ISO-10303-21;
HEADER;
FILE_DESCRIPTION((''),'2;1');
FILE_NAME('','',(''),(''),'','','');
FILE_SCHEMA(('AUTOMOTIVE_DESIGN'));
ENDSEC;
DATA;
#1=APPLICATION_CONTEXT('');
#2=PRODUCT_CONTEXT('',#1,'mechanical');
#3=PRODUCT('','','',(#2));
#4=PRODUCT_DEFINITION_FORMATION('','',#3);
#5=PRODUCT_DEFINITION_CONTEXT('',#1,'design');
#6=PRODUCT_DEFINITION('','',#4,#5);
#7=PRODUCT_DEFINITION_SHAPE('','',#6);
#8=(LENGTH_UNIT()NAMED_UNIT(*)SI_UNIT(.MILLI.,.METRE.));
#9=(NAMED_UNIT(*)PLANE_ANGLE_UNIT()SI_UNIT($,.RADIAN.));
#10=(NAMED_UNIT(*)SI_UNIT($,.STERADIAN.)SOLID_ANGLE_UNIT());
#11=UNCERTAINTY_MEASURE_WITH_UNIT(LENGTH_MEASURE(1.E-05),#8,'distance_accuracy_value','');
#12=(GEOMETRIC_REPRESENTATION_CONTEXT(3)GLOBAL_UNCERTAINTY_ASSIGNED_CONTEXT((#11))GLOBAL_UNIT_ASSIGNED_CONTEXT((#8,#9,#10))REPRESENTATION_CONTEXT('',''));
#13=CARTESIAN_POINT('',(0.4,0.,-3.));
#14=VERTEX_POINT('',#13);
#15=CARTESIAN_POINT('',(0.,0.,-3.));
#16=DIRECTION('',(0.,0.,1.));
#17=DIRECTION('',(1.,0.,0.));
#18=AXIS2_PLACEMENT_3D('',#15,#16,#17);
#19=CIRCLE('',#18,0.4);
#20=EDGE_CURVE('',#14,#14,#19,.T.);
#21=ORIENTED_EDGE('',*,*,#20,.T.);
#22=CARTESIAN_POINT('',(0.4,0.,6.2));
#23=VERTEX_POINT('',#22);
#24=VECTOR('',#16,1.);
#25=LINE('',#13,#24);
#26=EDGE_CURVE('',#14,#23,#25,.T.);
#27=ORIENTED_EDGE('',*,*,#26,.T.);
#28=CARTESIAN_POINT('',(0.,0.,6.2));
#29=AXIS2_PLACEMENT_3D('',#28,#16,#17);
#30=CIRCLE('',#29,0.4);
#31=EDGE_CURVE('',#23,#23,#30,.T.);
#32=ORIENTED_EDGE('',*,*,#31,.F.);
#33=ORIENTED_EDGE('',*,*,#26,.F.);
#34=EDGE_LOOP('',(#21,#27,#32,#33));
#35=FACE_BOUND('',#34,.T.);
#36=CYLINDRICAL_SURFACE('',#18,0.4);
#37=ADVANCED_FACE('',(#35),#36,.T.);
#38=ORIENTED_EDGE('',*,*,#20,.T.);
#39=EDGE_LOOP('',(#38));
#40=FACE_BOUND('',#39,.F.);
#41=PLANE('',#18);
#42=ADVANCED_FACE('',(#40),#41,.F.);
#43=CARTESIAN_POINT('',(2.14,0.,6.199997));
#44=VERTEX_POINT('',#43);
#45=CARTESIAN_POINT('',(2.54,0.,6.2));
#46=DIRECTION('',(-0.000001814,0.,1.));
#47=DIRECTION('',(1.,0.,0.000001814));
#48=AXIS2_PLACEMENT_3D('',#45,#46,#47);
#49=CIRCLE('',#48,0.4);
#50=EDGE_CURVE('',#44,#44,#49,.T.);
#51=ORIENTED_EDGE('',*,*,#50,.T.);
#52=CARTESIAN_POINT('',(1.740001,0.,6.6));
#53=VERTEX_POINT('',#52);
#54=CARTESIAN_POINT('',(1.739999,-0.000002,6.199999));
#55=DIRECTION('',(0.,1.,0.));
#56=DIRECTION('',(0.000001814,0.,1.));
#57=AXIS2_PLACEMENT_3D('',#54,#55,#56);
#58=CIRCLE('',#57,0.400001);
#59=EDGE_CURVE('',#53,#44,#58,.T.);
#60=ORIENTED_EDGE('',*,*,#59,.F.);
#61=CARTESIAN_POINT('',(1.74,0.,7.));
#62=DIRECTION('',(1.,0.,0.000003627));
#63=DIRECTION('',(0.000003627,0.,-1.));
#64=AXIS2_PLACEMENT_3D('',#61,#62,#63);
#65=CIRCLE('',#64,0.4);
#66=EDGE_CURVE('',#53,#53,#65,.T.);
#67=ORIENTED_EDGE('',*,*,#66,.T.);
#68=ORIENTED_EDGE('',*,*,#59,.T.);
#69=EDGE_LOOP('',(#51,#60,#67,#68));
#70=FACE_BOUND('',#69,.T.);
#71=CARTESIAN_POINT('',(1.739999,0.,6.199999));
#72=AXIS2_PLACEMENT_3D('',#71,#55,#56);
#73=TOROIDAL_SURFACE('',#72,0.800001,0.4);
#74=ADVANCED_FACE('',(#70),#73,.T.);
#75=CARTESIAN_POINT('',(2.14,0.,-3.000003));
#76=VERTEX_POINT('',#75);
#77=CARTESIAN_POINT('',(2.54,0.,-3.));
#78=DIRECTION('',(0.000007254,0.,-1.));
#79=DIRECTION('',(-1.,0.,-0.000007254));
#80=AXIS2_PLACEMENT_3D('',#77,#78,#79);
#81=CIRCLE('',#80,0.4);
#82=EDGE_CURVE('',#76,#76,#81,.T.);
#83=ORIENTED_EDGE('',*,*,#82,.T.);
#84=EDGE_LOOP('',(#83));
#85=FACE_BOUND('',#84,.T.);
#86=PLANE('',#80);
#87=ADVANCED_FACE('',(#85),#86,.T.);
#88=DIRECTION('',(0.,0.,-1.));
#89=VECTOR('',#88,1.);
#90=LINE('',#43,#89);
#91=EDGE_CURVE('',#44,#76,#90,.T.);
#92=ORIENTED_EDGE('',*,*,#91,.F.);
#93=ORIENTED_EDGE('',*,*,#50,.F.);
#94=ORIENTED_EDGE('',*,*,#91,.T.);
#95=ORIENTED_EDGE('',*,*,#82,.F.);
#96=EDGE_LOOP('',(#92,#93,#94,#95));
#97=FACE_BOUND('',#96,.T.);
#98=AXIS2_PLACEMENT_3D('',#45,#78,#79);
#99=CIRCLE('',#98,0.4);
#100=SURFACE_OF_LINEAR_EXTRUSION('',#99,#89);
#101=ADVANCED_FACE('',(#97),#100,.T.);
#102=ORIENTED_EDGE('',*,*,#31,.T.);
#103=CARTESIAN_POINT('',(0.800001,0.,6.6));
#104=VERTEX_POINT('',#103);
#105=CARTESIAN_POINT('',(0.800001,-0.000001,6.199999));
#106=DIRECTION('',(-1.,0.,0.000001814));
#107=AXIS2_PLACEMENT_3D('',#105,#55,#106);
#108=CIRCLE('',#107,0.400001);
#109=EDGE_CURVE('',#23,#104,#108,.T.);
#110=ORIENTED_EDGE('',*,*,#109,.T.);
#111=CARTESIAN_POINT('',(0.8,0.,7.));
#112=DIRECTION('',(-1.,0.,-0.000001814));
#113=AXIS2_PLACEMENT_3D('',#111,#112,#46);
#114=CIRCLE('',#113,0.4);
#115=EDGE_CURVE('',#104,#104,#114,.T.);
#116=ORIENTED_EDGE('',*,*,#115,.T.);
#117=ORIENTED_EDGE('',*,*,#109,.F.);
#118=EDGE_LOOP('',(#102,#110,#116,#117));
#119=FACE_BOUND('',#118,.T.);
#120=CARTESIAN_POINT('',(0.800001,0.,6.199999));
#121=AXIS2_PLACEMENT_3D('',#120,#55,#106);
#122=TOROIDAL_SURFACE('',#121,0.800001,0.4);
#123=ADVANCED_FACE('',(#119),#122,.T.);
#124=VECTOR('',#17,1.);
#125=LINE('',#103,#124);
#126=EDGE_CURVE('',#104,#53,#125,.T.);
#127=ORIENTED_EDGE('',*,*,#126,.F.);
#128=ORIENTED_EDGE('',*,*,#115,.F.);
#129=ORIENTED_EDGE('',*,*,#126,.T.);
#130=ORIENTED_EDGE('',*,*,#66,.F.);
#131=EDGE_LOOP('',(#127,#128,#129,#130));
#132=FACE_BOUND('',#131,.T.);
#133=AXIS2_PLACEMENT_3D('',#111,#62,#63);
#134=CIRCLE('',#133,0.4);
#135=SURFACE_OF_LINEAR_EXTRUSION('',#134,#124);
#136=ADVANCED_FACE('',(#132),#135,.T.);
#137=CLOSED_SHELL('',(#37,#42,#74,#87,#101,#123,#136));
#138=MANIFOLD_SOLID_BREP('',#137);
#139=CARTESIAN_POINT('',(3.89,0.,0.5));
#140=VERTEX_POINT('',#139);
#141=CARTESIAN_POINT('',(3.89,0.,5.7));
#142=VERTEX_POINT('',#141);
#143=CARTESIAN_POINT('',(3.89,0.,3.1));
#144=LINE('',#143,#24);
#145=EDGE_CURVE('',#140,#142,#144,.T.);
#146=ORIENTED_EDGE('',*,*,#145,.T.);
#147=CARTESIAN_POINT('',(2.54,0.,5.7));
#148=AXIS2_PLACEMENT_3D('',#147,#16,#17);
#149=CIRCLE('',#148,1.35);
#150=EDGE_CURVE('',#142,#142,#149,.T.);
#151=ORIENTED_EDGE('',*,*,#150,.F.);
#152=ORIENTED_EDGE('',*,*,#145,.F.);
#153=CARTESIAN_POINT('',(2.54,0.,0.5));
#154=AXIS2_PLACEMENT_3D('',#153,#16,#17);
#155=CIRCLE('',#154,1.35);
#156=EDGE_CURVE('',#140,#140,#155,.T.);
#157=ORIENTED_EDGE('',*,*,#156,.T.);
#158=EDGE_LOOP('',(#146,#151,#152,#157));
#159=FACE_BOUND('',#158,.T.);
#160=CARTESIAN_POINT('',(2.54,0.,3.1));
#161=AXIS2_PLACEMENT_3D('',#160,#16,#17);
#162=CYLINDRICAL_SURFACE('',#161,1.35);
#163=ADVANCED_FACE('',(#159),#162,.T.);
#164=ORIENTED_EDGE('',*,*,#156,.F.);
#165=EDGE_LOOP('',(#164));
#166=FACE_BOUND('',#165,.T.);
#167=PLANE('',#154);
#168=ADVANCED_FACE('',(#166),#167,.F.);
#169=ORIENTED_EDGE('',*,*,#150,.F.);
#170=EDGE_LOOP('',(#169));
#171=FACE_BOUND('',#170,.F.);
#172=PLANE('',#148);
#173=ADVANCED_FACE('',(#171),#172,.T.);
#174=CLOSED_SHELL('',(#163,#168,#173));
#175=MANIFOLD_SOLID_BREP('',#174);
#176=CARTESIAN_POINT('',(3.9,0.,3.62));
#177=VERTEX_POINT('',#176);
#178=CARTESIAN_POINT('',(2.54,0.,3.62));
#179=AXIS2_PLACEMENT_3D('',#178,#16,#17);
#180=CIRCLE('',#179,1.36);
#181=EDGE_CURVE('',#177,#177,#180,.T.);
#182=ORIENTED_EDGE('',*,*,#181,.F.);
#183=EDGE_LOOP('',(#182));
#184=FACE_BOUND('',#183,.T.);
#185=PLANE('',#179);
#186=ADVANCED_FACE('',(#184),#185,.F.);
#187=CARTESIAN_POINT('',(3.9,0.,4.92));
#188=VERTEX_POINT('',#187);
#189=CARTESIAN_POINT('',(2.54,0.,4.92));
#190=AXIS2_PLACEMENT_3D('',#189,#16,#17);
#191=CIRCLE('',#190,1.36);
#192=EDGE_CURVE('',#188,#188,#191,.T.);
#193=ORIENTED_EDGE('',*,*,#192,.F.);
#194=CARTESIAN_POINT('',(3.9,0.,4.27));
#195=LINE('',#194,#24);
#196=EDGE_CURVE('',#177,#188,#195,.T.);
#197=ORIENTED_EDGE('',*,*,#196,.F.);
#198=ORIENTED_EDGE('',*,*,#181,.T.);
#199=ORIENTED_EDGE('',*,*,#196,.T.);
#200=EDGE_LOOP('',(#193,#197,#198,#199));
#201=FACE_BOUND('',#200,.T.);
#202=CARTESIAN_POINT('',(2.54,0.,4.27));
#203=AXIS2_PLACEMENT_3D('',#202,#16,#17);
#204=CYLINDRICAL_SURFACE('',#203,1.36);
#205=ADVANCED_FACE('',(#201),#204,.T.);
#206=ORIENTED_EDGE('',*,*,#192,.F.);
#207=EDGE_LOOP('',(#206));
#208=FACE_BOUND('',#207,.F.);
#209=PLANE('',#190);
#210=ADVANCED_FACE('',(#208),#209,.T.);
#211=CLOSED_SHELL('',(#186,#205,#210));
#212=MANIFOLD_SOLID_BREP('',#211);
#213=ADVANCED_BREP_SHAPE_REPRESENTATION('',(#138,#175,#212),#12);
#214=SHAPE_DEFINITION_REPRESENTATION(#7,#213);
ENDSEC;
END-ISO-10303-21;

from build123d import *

# Parameters (mm, degrees)
SKETCH001_R = 0.4
SKETCH002_W = 1.35
SKETCH002_H = 5.2
SKETCH003_W = 1.36
SKETCH003_H = 1.3


with BuildPart() as sweep_body:
    # Sweep: sweep along a path in Sketch
    with BuildLine(Plane.XZ) as sweep_path:
        Line((0, -3), (0, 6.2))
        ThreePointArc((0, 6.2), (0.234315, 6.765685), (0.8, 7))
        Line((0.8, 7), (1.74, 7))
        ThreePointArc((1.74, 7), (2.305685, 6.765685), (2.54, 6.2))
        Line((2.54, 6.2), (2.54, -3))
    # Sketch001 → Sweep (sweep)
    with BuildSketch(Plane.XY):
        Circle(SKETCH001_R)
    sweep(path=sweep_path.line)


with BuildPart() as revolution:
    # Sketch002 → Revolution (revolve)
    with BuildSketch(Plane.XZ):
        with Locations((3.215, 3.1)):
            Rectangle(SKETCH002_W, SKETCH002_H)
    revolve(axis=Axis((2.54, 0, 0.5), (0, 0, 1)))


with BuildPart() as revolution001:
    # Sketch003 → Revolution001 (revolve)
    with BuildSketch(Plane.XZ):
        with Locations((3.22, 4.27)):
            Rectangle(SKETCH003_W, SKETCH003_H)
    revolve(axis=Axis((2.54, 0, 3.62), (0, 0, 1)))


solid = Compound([sweep_body.part, revolution.part, revolution001.part])
